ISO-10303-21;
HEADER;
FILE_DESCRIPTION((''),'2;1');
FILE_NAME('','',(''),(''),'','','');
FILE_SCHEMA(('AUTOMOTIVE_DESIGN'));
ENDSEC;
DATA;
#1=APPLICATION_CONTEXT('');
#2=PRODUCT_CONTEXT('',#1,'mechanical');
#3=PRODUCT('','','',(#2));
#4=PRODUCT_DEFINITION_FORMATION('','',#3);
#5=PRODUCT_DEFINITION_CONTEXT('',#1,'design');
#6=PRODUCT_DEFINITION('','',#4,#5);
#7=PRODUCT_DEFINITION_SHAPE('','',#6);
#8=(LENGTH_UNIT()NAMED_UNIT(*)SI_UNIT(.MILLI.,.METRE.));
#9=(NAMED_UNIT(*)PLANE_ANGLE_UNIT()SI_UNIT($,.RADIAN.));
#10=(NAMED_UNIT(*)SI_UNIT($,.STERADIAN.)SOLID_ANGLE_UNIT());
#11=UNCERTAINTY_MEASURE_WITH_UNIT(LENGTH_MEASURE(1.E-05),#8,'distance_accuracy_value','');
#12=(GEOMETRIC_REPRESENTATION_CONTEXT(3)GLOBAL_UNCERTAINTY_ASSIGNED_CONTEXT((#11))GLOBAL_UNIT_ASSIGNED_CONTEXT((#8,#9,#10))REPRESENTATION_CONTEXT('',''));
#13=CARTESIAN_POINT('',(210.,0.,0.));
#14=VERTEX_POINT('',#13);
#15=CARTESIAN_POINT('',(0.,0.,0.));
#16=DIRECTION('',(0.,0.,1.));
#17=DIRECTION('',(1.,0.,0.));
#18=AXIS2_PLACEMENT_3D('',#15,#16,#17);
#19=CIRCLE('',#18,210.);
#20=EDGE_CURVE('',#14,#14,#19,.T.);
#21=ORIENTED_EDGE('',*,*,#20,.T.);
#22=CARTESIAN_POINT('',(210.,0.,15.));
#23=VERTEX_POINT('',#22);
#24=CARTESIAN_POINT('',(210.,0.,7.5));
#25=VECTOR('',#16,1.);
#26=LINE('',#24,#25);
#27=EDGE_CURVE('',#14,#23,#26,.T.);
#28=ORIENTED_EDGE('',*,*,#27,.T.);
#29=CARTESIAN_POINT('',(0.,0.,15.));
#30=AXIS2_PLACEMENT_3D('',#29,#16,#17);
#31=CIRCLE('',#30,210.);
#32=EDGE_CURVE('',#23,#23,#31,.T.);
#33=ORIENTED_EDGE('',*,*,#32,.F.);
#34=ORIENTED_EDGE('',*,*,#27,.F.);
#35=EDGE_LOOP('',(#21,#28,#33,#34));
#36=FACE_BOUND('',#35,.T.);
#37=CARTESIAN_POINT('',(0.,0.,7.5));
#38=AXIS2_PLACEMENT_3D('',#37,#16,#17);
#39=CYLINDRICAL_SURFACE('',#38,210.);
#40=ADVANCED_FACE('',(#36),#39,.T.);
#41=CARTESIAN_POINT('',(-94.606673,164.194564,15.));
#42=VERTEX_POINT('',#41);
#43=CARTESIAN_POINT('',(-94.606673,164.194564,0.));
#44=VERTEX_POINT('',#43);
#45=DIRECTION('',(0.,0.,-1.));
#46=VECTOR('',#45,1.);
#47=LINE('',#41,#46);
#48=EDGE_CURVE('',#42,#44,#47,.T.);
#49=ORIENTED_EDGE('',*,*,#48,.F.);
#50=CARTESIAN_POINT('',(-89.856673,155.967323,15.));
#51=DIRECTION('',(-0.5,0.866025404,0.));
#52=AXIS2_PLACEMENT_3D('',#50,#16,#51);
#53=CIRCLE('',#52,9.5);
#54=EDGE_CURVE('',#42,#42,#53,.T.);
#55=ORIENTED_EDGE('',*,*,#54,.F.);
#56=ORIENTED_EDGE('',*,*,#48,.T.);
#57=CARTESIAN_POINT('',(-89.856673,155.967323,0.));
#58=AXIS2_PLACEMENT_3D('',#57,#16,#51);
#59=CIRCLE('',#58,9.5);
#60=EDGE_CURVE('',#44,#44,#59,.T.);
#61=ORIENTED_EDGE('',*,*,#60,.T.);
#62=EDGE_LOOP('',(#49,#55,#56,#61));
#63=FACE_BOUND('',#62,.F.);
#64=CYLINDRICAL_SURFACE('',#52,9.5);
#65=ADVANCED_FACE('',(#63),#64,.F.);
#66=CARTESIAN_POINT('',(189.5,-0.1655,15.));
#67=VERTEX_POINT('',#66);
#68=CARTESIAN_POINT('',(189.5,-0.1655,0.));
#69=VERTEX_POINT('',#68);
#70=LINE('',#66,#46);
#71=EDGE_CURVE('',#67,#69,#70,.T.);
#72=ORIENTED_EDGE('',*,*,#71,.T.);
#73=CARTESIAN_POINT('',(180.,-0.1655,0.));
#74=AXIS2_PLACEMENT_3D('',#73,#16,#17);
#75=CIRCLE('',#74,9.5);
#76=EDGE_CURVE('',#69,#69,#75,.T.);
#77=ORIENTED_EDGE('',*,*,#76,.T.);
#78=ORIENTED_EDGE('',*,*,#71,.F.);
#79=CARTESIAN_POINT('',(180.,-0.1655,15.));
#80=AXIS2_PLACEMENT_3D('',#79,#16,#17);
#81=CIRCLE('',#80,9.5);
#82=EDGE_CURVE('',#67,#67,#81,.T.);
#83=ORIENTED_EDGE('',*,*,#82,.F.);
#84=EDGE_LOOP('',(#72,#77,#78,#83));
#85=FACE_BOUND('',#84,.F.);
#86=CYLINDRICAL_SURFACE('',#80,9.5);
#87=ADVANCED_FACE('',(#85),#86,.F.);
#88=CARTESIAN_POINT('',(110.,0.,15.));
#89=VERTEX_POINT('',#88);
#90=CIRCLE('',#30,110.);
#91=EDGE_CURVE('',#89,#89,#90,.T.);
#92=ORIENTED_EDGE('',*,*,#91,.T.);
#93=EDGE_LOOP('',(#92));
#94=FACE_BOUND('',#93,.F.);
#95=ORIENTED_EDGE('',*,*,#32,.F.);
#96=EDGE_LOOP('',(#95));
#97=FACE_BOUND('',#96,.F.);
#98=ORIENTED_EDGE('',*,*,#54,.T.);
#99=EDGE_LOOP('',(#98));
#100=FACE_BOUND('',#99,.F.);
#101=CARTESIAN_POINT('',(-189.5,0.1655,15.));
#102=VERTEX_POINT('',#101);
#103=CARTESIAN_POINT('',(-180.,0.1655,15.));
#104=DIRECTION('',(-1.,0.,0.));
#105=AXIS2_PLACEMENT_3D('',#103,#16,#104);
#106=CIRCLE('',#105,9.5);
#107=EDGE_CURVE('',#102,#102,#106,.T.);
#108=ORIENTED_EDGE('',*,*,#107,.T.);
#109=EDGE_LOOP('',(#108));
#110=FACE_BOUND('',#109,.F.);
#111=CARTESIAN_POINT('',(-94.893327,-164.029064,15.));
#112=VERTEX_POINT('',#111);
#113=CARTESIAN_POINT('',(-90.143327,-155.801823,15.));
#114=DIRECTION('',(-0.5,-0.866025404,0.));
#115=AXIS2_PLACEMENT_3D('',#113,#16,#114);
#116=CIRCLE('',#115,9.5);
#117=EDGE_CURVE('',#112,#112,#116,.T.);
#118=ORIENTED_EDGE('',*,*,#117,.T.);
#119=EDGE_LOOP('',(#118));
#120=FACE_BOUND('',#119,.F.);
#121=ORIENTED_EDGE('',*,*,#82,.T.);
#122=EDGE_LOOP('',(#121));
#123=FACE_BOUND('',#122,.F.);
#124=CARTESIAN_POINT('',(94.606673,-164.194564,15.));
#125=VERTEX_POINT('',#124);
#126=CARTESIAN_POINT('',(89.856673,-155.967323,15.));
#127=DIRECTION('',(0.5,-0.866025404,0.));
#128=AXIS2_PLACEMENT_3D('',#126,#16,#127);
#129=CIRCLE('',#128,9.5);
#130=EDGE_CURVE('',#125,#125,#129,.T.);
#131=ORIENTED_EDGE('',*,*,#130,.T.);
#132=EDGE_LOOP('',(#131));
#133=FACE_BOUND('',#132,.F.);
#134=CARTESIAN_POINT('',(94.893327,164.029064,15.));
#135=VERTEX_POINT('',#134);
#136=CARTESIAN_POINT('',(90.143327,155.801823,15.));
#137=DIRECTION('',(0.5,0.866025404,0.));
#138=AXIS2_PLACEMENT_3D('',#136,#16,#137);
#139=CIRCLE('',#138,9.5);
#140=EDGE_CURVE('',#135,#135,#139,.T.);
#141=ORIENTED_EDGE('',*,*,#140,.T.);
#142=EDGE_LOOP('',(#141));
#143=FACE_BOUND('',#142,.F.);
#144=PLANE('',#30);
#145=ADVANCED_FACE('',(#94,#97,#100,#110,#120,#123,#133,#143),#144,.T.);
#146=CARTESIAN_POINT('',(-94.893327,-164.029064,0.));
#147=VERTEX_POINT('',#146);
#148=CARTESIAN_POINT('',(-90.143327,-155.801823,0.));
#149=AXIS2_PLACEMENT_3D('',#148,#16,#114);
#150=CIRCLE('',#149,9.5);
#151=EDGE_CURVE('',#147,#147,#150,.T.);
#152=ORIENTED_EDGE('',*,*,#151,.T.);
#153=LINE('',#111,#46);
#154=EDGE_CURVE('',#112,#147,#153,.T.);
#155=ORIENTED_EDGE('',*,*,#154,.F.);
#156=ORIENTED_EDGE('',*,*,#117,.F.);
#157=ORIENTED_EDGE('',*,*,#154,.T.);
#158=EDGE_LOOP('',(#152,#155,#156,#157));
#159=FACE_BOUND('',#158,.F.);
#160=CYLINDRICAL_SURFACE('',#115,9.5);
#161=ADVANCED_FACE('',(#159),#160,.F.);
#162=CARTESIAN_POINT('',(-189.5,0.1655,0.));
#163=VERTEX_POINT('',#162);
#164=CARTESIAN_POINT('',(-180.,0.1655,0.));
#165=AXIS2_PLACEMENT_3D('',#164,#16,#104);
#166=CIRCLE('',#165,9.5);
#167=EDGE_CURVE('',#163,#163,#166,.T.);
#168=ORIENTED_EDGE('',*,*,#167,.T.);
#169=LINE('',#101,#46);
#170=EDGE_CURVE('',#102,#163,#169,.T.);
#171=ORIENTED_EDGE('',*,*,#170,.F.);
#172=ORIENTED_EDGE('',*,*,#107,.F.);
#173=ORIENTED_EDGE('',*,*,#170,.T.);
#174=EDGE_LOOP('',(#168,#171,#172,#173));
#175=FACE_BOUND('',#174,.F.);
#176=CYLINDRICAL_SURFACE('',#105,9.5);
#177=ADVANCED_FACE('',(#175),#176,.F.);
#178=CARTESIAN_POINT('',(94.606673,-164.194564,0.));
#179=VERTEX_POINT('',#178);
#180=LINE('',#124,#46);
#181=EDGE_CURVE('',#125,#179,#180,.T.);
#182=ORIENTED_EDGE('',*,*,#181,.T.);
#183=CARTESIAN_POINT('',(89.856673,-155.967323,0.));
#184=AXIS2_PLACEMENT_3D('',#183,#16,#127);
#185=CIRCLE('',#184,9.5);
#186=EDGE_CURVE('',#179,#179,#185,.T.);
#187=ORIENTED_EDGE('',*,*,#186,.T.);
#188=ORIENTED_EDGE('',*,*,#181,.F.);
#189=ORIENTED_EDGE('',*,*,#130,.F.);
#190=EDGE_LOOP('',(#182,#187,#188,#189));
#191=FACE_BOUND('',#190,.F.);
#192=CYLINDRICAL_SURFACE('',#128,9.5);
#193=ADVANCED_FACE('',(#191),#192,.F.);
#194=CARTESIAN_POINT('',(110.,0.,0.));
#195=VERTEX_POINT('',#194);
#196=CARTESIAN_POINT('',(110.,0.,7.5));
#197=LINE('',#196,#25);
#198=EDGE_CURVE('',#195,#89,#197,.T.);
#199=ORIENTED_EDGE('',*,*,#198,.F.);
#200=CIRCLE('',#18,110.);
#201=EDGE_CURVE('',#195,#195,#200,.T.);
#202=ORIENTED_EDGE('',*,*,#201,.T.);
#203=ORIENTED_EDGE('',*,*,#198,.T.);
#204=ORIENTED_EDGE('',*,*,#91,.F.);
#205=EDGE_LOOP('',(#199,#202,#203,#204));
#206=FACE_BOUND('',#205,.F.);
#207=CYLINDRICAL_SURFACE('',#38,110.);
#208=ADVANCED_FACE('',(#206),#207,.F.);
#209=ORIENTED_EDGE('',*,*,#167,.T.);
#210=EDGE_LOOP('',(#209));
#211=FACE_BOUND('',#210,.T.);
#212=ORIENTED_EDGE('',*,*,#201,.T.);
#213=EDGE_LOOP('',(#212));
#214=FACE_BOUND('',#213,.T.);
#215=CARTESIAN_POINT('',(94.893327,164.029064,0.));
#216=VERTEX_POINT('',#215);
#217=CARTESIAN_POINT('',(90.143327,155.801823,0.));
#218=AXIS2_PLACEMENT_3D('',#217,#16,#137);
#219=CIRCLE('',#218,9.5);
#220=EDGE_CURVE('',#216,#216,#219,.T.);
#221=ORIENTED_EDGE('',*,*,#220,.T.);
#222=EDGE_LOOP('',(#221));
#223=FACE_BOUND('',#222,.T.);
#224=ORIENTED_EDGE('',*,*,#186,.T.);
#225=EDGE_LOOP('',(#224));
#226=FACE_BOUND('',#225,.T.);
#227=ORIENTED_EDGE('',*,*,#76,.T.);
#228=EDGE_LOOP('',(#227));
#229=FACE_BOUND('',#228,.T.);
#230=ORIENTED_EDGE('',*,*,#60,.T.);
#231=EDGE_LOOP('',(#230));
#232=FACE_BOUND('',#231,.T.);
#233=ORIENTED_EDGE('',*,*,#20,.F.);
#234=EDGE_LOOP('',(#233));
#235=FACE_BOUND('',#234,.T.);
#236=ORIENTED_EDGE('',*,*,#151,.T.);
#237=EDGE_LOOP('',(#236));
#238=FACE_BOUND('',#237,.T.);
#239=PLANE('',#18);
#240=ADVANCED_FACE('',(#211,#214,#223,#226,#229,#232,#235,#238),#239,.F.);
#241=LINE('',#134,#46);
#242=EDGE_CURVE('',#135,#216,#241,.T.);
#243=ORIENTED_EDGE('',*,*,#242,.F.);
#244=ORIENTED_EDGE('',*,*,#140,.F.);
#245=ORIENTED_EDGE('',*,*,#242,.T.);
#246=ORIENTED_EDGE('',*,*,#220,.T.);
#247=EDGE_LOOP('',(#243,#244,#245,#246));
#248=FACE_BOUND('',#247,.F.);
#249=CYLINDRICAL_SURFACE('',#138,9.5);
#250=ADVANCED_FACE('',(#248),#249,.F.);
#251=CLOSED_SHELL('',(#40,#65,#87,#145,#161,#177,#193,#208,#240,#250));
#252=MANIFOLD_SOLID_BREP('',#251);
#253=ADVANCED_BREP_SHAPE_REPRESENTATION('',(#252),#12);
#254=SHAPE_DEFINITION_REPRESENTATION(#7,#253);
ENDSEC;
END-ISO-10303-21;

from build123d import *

# Parameters (mm, degrees)
SKETCH010_R      = 9.5
EXTRUDE004_DEPTH = 30
ARRAY003_COUNT   = 6
SKETCH005_W      = 100
SKETCH005_H      = 15


with BuildPart() as array003:
    # Sketch010 (on Face3 of Revolve) → Extrude004 (new body)
    with BuildSketch(Plane.XY.offset(15)):
        with Locations((180, -0.1655)):
            Circle(SKETCH010_R)
    extrude(amount=-EXTRUDE004_DEPTH)

    # Array003: Array003 ×6 about axis
    array003_axis = Axis((0, 0, 590.09), (0, 0, 1))


with BuildPart() as array003_1:
    add(array003.part)
    for i in range(1, ARRAY003_COUNT):
        add(array003.part.rotate(array003_axis, i * 360 / ARRAY003_COUNT))


with BuildPart() as cut005:
    # Sketch005 → Revolve (revolve)
    with BuildSketch(Plane.XZ):
        with Locations((160, 7.5)):
            Rectangle(SKETCH005_W, SKETCH005_H)
    revolve(axis=Axis((0, 0, 0), (0, 0, 1)))

    # Cut005: cut Array003
    add(array003_1.part, mode=Mode.SUBTRACT)


solid = cut005.part
